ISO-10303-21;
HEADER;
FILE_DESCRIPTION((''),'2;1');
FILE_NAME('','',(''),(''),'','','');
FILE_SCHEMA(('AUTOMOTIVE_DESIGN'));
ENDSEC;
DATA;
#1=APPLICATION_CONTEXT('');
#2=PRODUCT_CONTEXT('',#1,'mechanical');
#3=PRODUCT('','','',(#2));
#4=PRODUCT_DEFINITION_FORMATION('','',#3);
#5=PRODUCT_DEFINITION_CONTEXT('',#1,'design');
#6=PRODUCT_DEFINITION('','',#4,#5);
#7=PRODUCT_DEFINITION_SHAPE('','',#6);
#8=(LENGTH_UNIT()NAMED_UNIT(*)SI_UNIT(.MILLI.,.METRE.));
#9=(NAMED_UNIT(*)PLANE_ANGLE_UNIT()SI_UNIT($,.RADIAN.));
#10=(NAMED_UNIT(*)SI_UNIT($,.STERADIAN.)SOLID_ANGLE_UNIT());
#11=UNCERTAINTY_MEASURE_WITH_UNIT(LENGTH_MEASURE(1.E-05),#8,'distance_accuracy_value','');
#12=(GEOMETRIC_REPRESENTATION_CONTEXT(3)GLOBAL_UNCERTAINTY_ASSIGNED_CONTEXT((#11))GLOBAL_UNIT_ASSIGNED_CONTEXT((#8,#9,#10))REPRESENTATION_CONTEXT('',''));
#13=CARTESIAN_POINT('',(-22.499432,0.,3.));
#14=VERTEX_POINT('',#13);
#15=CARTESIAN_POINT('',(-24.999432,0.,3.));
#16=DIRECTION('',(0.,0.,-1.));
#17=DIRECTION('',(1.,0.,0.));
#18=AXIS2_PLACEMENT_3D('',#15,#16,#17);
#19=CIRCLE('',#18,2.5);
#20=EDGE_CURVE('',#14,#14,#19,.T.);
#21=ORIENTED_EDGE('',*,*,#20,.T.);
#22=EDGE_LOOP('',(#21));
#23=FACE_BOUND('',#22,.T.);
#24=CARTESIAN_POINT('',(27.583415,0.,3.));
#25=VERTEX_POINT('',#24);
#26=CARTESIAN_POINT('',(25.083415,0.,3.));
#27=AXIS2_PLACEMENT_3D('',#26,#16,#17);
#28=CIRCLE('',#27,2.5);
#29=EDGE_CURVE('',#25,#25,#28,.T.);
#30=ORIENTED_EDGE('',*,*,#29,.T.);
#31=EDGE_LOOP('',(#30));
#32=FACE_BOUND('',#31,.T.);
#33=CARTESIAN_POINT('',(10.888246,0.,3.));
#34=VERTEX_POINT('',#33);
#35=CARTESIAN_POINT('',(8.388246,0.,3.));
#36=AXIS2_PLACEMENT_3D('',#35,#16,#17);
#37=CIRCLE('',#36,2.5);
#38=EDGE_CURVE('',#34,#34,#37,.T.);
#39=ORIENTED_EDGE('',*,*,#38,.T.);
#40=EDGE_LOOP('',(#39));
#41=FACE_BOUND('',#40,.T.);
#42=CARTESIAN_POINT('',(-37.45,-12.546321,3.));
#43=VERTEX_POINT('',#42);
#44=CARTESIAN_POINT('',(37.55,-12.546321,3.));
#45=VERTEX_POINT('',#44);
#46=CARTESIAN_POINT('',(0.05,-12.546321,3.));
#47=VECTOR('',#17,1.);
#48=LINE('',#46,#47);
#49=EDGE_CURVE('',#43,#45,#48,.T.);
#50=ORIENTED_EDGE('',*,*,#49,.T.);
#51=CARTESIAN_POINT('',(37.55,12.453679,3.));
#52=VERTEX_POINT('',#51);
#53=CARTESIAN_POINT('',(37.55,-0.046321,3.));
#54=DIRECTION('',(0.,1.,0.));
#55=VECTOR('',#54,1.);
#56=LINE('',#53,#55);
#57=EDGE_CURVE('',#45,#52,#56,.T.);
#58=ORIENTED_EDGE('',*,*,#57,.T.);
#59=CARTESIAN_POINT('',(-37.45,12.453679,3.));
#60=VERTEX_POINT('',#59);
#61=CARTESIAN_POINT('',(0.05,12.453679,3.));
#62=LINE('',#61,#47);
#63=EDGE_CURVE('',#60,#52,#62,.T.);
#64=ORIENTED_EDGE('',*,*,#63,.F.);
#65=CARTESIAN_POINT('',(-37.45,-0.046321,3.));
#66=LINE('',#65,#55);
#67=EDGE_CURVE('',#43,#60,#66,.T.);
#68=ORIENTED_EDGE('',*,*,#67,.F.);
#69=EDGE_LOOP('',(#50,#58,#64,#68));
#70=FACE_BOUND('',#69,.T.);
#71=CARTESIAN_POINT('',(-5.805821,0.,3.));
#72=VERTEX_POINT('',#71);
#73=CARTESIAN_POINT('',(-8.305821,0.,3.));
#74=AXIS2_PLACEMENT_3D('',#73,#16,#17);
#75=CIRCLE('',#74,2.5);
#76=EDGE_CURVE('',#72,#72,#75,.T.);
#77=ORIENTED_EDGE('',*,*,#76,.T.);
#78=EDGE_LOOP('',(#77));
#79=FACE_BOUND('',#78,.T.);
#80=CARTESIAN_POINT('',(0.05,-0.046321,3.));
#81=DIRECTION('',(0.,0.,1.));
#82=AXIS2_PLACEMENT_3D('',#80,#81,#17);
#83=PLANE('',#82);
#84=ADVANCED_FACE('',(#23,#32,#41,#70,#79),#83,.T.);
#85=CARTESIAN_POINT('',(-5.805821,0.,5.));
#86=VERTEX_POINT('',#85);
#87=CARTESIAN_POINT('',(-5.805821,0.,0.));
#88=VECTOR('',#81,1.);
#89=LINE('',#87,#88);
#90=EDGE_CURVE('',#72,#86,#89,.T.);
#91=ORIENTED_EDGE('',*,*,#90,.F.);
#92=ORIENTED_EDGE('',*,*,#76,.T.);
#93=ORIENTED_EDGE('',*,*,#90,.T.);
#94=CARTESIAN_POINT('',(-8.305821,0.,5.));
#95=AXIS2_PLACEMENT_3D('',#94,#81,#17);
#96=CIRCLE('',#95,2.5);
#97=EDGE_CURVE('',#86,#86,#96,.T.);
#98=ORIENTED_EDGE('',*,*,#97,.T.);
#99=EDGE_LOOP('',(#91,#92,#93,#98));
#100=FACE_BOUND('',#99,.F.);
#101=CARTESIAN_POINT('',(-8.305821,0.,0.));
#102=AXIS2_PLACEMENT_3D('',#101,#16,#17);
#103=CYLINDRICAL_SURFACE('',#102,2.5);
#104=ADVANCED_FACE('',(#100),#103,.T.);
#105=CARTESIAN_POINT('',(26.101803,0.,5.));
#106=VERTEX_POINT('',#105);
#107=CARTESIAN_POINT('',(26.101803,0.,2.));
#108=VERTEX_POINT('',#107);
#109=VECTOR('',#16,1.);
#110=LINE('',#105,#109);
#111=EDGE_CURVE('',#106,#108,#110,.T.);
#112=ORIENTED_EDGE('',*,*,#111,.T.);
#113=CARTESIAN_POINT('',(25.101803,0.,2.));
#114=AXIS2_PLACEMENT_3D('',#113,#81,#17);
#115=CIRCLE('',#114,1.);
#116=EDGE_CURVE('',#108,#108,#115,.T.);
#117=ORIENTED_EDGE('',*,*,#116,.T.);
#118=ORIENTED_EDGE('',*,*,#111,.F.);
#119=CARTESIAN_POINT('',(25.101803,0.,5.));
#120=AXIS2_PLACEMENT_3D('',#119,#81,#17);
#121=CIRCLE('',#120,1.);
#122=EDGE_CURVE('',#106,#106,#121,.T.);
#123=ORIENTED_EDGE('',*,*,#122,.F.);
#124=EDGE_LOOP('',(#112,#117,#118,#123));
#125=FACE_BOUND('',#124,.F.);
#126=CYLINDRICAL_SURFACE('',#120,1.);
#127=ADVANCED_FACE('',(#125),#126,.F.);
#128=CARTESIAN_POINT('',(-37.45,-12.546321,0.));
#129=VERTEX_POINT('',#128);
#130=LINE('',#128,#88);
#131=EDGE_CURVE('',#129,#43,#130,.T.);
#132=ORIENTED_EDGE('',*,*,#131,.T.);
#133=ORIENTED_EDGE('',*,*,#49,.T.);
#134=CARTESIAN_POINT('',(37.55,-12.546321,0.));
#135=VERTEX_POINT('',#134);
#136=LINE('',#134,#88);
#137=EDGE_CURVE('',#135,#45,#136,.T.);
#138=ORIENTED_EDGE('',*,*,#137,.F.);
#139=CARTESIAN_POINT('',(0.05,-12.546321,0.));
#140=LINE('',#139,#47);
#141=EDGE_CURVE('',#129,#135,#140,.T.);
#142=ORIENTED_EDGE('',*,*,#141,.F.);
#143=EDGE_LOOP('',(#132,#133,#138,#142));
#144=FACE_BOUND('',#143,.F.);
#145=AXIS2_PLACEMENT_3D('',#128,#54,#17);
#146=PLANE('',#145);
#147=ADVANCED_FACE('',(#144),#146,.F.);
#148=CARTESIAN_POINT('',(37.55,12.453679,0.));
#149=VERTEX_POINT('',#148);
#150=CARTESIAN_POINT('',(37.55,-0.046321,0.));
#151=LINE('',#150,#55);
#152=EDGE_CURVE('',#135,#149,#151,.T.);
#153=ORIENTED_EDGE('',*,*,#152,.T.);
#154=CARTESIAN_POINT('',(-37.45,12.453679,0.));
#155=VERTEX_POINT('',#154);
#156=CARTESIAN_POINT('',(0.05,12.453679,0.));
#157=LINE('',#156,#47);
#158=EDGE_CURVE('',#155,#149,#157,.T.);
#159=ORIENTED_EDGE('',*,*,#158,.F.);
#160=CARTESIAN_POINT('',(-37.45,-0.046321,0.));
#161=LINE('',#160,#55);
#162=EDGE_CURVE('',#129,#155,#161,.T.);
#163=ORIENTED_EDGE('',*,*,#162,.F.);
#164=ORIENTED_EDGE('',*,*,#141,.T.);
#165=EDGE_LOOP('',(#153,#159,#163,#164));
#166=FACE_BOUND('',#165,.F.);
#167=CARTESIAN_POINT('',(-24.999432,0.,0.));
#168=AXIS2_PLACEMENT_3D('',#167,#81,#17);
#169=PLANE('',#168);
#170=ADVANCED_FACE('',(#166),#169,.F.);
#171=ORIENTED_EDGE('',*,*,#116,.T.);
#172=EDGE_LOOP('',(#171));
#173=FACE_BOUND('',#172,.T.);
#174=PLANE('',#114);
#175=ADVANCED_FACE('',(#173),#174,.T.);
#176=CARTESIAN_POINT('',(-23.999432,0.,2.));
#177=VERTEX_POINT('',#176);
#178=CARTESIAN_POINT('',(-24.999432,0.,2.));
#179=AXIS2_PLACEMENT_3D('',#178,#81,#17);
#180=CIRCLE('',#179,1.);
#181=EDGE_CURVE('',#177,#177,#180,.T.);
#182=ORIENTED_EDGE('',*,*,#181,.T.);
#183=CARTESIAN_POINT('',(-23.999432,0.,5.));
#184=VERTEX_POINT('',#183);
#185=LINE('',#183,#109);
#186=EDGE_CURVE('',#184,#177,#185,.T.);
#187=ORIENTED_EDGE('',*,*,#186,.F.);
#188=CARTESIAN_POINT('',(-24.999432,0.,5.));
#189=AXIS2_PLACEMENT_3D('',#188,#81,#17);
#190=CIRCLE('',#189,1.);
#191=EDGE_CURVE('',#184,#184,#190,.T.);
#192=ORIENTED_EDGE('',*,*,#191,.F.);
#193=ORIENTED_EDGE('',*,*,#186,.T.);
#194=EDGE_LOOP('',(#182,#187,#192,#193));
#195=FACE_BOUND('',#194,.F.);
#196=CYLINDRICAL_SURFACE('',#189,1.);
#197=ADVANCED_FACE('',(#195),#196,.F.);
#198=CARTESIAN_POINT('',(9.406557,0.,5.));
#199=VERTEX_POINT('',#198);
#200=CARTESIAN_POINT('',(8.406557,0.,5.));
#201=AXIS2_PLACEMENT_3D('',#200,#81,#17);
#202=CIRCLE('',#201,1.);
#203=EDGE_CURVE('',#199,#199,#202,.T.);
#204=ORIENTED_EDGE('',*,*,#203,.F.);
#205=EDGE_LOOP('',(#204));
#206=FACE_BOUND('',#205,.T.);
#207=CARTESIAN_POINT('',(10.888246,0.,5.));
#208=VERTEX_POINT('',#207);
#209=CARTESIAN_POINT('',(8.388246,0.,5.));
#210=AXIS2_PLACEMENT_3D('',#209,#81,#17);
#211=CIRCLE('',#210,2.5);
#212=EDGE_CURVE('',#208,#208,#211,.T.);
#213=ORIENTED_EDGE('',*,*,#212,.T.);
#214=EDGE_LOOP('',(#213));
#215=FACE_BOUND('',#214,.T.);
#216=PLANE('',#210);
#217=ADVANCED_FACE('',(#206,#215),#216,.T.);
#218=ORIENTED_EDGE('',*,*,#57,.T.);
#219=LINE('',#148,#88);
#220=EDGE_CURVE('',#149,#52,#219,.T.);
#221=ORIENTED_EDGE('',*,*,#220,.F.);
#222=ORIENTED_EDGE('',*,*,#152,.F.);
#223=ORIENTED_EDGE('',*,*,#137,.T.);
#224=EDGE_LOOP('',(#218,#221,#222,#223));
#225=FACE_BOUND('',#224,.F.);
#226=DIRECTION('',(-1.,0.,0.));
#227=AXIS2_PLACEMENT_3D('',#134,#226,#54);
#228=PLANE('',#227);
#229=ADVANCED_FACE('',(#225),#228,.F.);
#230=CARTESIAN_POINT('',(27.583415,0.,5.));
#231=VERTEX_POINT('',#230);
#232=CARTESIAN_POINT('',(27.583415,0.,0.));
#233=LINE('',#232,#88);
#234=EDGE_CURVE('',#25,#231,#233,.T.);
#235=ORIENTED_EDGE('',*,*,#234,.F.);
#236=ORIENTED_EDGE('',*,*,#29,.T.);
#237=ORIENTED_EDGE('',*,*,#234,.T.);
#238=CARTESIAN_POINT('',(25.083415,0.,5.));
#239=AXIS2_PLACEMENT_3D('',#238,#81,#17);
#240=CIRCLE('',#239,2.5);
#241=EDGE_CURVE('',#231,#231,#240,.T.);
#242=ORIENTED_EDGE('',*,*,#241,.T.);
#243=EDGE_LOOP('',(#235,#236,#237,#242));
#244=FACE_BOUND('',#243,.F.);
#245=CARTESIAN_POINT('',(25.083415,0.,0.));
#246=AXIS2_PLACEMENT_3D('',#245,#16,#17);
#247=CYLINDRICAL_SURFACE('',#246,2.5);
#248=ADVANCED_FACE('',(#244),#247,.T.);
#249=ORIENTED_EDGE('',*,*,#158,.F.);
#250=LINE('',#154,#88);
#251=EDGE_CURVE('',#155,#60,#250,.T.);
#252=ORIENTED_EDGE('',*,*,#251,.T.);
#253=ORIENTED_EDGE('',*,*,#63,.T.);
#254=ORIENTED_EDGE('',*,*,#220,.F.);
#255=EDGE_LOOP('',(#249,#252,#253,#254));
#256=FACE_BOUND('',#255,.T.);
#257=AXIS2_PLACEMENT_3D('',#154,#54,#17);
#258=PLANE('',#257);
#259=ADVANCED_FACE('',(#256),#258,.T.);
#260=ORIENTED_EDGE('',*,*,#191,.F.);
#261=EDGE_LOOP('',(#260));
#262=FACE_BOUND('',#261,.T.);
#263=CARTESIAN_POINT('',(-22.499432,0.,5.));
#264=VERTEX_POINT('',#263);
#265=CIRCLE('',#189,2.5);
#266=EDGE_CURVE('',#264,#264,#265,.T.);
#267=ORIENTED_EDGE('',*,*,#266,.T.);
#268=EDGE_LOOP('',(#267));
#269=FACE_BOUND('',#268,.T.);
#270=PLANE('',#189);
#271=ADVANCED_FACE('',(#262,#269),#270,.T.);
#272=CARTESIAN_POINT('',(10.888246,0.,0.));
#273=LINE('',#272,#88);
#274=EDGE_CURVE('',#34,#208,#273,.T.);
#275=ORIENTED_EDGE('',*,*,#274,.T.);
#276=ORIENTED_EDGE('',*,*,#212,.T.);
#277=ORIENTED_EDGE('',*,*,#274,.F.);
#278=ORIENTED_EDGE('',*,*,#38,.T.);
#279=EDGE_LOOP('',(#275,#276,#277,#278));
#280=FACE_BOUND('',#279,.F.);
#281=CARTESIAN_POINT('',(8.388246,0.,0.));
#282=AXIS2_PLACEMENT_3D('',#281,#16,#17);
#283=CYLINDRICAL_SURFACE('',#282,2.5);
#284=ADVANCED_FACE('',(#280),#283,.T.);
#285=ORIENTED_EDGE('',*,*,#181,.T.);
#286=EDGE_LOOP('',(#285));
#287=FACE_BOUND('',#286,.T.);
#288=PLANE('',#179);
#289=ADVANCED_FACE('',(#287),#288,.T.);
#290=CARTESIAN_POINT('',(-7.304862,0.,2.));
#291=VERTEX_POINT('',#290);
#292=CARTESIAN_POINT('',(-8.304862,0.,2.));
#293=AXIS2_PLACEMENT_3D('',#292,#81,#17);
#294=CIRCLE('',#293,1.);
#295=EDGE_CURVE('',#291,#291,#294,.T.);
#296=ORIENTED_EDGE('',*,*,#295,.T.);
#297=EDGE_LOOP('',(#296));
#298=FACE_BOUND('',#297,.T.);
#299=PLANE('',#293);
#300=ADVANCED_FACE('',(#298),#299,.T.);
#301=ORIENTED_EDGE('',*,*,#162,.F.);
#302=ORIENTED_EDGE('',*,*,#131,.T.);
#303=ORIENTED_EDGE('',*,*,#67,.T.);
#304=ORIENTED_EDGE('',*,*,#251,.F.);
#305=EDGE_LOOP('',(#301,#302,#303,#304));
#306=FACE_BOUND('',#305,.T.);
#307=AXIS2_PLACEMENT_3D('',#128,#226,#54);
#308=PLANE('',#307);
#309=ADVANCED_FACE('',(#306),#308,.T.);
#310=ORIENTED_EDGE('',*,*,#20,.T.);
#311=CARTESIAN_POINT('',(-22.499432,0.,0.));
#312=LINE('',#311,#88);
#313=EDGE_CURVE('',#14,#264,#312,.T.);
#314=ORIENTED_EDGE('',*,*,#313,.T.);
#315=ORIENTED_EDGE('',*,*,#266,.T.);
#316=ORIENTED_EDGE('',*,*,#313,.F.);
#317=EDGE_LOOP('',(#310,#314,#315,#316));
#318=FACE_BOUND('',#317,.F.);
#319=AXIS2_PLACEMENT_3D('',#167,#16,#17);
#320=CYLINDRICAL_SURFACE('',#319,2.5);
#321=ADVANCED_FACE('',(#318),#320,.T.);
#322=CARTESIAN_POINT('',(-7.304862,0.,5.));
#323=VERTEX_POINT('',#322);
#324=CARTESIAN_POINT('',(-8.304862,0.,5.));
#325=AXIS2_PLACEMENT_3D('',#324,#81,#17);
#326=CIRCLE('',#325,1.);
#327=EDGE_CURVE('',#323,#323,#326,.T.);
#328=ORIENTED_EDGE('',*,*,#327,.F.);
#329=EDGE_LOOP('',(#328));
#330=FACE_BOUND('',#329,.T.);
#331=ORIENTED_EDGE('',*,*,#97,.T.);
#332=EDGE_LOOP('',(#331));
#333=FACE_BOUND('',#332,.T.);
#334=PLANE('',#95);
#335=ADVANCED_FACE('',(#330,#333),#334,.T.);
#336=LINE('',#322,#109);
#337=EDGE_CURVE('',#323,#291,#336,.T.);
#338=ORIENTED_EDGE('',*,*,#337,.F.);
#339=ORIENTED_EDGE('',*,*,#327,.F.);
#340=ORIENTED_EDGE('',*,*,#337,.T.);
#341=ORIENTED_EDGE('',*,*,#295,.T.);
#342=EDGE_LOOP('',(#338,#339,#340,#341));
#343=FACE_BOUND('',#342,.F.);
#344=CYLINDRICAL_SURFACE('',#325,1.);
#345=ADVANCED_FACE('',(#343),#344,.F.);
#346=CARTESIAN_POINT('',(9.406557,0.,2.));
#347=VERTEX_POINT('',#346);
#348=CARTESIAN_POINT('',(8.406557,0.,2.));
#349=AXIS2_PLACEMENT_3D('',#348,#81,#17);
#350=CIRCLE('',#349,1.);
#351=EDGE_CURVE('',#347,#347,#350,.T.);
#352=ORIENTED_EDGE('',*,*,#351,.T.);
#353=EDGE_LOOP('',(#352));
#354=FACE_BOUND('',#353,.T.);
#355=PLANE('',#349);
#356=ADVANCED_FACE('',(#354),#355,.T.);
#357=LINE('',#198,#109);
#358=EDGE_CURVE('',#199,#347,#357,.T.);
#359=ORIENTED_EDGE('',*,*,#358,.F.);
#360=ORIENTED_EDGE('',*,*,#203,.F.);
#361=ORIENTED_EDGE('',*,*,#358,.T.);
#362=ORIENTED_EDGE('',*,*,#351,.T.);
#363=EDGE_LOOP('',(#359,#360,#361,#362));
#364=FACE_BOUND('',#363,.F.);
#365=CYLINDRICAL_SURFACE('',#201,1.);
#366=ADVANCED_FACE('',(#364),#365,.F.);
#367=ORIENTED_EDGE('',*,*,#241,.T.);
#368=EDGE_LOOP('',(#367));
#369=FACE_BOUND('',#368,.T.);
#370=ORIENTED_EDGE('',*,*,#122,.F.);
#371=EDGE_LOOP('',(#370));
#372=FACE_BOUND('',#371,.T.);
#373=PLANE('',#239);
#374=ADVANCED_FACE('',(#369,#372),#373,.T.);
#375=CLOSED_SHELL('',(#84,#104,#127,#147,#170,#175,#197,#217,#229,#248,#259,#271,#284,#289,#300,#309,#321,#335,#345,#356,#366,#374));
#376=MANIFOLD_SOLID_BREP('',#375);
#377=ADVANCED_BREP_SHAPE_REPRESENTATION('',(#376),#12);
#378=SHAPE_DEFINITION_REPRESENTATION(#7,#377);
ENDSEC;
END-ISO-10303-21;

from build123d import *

# Parameters (mm, degrees)
F0_W     = 75
F0_H     = 25
F1_DEPTH = 3
F2_R     = 2.5
F3_DEPTH = 5
F4_R     = 1
F5_DEPTH = 3


with BuildPart() as f1:
    # F0 (on Top) → F1 (new body)
    with BuildSketch(Plane.XY):
        with Locations((0.05, -0.046321)):
            Rectangle(F0_W, F0_H)
    extrude(amount=F1_DEPTH)

    # F2 (on Top) → F3 (join)
    with BuildSketch(Plane.XY):
        with Locations((-24.999432, 0)):
            Circle(F2_R)
        with Locations((-8.305821, 0)):
            Circle(F2_R)
        with Locations((8.388246, 0)):
            Circle(F2_R)
        with Locations((25.083415, 0)):
            Circle(F2_R)
    extrude(amount=F3_DEPTH)

    # F4 (on face) → F5 (cut)
    with BuildSketch(Plane.XY.offset(5)):
        with Locations((-24.999432, 0)):
            Circle(F4_R)
        with Locations((-8.304862, 0)):
            Circle(F4_R)
        with Locations((8.406557, 0)):
            Circle(F4_R)
        with Locations((25.101803, 0)):
            Circle(F4_R)
    extrude(amount=-F5_DEPTH, mode=Mode.SUBTRACT)


solid = f1.part
